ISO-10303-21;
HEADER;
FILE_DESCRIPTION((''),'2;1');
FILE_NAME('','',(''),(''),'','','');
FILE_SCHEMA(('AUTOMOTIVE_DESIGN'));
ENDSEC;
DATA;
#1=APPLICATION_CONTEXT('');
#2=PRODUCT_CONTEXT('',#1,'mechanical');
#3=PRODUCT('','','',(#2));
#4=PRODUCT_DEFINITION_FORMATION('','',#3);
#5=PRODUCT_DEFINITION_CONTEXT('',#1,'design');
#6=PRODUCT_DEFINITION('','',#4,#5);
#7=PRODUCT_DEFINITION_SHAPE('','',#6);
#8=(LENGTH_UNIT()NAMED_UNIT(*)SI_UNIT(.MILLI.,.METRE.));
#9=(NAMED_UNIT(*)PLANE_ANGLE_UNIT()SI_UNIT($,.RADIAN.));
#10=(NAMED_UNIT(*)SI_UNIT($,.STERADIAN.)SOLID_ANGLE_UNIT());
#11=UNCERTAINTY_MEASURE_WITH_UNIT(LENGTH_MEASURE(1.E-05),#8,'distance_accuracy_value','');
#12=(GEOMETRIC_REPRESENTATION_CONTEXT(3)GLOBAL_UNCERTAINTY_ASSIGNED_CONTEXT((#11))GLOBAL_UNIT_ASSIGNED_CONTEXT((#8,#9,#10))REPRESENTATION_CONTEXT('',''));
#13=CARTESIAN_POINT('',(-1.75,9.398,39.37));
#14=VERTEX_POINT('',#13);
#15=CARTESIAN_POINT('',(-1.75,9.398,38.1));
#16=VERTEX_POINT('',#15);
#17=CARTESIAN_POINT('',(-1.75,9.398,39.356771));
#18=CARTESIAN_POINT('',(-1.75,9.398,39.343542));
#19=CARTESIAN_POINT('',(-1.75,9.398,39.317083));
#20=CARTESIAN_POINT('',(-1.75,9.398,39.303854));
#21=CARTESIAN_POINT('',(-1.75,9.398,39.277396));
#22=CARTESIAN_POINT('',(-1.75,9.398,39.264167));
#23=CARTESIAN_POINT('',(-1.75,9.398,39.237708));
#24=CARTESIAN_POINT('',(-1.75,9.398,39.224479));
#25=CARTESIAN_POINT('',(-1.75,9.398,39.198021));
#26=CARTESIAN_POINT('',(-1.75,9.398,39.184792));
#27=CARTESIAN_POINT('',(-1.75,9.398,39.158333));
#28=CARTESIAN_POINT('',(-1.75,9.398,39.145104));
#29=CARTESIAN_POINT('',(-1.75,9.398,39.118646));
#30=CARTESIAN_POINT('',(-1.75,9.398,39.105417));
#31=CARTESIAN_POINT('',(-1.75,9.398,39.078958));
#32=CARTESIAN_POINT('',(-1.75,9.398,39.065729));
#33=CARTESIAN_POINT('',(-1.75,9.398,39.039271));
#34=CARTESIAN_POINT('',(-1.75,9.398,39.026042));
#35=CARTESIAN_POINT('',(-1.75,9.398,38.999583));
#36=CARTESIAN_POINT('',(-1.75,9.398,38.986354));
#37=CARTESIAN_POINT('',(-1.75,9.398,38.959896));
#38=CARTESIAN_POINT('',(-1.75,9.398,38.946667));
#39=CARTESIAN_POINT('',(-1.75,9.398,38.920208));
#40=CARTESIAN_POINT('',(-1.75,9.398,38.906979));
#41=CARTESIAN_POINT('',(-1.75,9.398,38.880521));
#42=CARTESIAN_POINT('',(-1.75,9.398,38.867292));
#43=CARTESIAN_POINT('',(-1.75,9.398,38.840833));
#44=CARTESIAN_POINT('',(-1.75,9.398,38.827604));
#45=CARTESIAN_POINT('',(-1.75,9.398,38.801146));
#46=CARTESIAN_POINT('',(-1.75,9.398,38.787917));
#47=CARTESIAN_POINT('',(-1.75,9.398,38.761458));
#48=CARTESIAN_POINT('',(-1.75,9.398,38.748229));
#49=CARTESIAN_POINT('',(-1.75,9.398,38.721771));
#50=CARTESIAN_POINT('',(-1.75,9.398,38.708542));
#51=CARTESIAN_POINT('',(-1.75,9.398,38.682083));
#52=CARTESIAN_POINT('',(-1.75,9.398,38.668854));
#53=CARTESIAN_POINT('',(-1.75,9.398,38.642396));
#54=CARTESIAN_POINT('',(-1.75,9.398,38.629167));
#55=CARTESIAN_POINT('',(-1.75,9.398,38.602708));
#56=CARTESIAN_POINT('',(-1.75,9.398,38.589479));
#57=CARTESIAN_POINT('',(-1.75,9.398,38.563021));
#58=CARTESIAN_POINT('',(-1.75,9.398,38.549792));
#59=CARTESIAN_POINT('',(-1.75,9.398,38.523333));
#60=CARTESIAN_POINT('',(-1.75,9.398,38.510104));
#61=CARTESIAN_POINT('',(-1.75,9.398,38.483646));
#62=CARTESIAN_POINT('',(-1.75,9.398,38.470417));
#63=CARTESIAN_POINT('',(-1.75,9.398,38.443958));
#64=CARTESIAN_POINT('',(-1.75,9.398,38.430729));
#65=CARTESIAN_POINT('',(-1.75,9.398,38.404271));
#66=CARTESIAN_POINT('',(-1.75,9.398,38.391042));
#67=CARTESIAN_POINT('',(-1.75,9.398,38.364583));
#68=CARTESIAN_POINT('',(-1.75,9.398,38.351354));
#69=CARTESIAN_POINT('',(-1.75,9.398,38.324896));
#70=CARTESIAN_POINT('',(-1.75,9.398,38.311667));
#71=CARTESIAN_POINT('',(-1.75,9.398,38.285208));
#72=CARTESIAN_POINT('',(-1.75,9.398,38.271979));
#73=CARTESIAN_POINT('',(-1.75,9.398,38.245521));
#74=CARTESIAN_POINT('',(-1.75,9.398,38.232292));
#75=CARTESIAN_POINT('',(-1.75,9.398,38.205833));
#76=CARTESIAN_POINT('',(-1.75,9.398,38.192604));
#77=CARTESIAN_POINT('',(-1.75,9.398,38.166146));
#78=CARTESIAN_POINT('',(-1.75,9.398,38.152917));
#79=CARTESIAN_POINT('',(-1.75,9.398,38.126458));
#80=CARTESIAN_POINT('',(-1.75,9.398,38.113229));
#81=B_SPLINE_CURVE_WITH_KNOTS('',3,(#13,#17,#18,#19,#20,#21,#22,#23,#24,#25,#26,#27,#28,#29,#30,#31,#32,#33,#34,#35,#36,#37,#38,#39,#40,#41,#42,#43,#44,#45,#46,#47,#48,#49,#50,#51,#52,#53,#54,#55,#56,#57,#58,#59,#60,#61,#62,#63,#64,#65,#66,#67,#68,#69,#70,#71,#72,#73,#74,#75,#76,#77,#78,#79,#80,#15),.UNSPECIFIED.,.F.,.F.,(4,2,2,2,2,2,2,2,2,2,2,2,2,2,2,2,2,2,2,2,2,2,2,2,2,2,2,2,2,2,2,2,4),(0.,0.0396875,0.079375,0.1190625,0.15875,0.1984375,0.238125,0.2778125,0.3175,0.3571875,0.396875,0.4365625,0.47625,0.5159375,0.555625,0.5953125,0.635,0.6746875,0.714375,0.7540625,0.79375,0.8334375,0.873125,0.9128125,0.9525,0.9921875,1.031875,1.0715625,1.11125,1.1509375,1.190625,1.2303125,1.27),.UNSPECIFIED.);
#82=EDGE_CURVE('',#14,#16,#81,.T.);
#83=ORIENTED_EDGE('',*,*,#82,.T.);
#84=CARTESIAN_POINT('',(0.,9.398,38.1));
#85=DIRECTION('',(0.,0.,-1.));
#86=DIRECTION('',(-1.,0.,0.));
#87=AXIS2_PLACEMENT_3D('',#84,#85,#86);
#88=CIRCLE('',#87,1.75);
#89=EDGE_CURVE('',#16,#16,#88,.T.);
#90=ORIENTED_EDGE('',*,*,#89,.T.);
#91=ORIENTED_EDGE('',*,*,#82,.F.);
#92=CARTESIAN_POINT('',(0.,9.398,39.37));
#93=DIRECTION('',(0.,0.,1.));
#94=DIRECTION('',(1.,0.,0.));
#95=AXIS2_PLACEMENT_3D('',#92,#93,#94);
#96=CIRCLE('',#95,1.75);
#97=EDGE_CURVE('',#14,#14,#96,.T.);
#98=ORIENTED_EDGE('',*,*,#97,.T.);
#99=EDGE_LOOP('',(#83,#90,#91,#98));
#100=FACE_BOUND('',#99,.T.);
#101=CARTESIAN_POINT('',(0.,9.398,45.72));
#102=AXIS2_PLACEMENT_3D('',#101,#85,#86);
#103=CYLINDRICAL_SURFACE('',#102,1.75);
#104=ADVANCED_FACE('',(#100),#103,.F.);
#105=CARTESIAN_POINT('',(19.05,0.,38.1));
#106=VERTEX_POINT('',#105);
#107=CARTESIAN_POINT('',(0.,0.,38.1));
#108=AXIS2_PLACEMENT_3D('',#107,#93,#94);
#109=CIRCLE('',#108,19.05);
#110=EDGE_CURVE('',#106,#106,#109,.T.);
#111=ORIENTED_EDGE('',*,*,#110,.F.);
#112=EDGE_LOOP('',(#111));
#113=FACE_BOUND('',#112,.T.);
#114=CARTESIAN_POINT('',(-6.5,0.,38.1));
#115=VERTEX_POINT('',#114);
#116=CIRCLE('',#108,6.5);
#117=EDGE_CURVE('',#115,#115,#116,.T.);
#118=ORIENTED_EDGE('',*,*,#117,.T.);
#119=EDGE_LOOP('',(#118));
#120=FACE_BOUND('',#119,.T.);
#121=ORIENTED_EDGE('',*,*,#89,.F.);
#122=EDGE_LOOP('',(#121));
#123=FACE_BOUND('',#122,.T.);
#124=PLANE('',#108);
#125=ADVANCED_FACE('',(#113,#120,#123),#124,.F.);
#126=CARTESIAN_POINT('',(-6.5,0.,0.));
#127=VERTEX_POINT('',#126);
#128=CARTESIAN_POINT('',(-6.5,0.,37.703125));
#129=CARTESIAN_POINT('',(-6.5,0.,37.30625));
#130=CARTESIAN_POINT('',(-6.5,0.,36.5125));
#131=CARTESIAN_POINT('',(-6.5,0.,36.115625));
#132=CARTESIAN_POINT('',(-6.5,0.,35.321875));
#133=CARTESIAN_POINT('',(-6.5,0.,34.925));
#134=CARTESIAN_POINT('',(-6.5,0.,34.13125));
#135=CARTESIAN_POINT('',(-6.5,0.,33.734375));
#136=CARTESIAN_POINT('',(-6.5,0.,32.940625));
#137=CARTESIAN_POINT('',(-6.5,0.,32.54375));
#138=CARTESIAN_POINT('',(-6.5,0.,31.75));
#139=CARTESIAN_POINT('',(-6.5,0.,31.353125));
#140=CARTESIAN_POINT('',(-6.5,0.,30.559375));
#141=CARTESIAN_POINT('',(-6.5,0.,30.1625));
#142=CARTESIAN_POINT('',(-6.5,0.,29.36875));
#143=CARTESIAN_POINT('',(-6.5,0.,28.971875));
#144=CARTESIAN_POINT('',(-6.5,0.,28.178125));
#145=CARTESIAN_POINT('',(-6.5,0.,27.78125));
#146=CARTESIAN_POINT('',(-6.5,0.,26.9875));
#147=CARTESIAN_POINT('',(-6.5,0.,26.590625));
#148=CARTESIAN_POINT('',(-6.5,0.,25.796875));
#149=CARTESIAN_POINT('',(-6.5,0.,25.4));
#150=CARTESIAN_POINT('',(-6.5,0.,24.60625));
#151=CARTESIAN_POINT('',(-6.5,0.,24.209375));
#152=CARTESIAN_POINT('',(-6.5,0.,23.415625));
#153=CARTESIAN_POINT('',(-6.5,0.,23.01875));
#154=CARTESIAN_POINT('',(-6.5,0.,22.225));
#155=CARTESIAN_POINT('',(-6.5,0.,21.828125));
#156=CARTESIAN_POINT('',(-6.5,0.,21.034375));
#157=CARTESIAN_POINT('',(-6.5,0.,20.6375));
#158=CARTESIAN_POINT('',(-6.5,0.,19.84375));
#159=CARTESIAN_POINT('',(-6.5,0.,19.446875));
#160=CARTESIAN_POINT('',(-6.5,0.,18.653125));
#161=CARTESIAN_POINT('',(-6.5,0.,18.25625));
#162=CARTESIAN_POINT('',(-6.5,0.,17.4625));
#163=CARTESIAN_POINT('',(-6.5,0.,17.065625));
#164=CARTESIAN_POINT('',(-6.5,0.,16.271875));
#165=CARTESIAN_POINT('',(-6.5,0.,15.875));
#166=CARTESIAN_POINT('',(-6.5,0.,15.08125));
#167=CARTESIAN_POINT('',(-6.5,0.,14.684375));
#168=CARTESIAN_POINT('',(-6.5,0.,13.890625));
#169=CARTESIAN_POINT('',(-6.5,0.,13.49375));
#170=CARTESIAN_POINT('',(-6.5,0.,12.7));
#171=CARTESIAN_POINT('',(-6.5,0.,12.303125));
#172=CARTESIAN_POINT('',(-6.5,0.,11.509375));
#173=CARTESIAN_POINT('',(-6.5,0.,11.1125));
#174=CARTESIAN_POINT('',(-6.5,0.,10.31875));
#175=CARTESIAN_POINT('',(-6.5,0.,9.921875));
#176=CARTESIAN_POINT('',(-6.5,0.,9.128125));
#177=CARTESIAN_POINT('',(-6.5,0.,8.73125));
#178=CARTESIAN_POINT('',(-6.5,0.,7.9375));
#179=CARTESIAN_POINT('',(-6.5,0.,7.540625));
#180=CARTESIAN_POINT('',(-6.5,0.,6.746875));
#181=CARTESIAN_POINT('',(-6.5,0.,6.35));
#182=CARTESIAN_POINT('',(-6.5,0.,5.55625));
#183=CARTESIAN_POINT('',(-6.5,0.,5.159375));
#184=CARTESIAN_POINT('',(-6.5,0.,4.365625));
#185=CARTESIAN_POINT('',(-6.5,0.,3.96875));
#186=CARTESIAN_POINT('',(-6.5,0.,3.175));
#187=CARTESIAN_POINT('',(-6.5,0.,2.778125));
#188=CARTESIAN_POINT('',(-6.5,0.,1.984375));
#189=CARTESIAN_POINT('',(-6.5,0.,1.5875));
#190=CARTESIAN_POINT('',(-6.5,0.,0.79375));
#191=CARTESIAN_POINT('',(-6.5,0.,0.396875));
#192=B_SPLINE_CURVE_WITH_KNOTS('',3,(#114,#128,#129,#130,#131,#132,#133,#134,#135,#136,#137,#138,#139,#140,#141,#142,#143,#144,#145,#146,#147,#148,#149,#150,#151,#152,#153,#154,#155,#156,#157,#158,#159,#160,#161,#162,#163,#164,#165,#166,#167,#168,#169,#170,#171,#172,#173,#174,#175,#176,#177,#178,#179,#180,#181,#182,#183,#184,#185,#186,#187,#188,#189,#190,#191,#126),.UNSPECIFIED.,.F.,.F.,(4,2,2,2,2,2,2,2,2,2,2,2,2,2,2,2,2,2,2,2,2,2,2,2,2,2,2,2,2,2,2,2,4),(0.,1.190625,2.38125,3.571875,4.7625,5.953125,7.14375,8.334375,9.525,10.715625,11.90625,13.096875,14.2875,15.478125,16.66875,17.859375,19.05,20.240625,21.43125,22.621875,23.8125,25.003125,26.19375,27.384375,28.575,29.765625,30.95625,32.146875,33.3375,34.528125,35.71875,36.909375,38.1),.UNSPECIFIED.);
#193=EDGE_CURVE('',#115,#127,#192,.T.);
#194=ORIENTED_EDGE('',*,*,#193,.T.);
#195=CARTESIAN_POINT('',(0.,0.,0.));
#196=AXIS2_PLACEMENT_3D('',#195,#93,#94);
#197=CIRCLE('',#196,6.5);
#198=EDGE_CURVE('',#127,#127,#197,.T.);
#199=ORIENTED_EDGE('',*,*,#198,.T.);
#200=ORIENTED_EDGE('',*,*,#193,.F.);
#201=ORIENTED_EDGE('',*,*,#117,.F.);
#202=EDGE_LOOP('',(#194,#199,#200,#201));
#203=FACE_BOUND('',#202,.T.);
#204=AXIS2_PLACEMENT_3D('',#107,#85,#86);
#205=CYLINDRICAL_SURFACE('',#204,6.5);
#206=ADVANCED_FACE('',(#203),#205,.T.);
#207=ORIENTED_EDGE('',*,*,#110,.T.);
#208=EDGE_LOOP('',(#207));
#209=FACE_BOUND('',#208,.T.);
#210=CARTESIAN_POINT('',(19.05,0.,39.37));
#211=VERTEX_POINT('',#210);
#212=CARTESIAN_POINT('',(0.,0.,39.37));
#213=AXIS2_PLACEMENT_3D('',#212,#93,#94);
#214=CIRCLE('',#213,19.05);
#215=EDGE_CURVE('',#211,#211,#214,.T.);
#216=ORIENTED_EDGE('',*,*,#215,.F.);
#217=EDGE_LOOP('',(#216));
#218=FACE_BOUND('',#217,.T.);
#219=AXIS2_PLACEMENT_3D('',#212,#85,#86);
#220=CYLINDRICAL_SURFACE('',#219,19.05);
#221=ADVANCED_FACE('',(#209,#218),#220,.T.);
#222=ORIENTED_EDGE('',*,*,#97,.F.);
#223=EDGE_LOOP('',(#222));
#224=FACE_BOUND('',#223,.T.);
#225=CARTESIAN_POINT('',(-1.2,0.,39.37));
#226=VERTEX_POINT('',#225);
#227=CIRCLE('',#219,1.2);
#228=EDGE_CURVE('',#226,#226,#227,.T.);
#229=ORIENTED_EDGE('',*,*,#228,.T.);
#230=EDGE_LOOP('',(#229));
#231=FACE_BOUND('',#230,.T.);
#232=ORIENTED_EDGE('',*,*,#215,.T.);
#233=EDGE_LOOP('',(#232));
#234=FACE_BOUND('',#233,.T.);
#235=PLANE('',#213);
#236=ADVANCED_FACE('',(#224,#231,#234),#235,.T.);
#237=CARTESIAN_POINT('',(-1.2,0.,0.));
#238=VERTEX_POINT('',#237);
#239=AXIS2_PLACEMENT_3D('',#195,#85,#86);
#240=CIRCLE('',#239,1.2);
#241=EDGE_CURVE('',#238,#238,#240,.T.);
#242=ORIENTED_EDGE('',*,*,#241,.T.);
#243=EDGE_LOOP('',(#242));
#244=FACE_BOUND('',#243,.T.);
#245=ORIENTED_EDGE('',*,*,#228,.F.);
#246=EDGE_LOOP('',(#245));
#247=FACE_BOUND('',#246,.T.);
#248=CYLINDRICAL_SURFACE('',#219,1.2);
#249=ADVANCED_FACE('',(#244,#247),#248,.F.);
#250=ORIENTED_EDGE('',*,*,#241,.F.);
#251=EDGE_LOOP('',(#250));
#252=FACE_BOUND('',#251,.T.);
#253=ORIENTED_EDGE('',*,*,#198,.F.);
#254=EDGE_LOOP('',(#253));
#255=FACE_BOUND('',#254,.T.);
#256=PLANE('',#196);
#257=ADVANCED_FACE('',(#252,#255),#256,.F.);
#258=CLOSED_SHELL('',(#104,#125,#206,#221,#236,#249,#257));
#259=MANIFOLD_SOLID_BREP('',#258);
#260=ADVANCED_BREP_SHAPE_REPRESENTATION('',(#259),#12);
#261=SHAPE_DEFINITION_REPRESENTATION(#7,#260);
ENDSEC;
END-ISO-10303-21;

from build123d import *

# Parameters (mm, degrees)
SKETCH1_R           = 6.5
BOSS_EXTRUDE1_DEPTH = 38.1
SKETCH2_R           = 19.05
BOSS_EXTRUDE2_DEPTH = 1.27
SKETCH3_R           = 1.2
CUT_EXTRUDE1_DEPTH  = 48.705365526
SKETCH4_R           = 1.75
CUT_EXTRUDE2_DEPTH  = 7.62


with BuildPart() as part:
    # Sketch1 → Boss-Extrude1 (new body)
    with BuildSketch(Plane.XY):
        with Locations(Location((0, 0, 0), (0, 0, 180))):
            Circle(SKETCH1_R)
    extrude(amount=BOSS_EXTRUDE1_DEPTH)

    # Sketch2 → Boss-Extrude2 (add)
    with BuildSketch(Plane.XY.offset(38.1)):
        Circle(SKETCH2_R)
    extrude(amount=BOSS_EXTRUDE2_DEPTH)

    # Sketch3 → Cut-Extrude1 (cut, through all)
    with BuildSketch(Plane(origin=(0, 0, 0), x_dir=(-1, 0, 0), z_dir=(0, 0, -1))):
        Circle(SKETCH3_R)
    extrude(amount=-CUT_EXTRUDE1_DEPTH, mode=Mode.SUBTRACT)

    # Sketch4 → Cut-Extrude2 (cut)
    with BuildSketch(Plane(origin=(0, 0, 38.1), x_dir=(-1, 0, 0), z_dir=(0, 0, -1))):
        with Locations((0, 9.398)):
            Circle(SKETCH4_R)
    extrude(amount=-CUT_EXTRUDE2_DEPTH, mode=Mode.SUBTRACT)


solid = part.part
